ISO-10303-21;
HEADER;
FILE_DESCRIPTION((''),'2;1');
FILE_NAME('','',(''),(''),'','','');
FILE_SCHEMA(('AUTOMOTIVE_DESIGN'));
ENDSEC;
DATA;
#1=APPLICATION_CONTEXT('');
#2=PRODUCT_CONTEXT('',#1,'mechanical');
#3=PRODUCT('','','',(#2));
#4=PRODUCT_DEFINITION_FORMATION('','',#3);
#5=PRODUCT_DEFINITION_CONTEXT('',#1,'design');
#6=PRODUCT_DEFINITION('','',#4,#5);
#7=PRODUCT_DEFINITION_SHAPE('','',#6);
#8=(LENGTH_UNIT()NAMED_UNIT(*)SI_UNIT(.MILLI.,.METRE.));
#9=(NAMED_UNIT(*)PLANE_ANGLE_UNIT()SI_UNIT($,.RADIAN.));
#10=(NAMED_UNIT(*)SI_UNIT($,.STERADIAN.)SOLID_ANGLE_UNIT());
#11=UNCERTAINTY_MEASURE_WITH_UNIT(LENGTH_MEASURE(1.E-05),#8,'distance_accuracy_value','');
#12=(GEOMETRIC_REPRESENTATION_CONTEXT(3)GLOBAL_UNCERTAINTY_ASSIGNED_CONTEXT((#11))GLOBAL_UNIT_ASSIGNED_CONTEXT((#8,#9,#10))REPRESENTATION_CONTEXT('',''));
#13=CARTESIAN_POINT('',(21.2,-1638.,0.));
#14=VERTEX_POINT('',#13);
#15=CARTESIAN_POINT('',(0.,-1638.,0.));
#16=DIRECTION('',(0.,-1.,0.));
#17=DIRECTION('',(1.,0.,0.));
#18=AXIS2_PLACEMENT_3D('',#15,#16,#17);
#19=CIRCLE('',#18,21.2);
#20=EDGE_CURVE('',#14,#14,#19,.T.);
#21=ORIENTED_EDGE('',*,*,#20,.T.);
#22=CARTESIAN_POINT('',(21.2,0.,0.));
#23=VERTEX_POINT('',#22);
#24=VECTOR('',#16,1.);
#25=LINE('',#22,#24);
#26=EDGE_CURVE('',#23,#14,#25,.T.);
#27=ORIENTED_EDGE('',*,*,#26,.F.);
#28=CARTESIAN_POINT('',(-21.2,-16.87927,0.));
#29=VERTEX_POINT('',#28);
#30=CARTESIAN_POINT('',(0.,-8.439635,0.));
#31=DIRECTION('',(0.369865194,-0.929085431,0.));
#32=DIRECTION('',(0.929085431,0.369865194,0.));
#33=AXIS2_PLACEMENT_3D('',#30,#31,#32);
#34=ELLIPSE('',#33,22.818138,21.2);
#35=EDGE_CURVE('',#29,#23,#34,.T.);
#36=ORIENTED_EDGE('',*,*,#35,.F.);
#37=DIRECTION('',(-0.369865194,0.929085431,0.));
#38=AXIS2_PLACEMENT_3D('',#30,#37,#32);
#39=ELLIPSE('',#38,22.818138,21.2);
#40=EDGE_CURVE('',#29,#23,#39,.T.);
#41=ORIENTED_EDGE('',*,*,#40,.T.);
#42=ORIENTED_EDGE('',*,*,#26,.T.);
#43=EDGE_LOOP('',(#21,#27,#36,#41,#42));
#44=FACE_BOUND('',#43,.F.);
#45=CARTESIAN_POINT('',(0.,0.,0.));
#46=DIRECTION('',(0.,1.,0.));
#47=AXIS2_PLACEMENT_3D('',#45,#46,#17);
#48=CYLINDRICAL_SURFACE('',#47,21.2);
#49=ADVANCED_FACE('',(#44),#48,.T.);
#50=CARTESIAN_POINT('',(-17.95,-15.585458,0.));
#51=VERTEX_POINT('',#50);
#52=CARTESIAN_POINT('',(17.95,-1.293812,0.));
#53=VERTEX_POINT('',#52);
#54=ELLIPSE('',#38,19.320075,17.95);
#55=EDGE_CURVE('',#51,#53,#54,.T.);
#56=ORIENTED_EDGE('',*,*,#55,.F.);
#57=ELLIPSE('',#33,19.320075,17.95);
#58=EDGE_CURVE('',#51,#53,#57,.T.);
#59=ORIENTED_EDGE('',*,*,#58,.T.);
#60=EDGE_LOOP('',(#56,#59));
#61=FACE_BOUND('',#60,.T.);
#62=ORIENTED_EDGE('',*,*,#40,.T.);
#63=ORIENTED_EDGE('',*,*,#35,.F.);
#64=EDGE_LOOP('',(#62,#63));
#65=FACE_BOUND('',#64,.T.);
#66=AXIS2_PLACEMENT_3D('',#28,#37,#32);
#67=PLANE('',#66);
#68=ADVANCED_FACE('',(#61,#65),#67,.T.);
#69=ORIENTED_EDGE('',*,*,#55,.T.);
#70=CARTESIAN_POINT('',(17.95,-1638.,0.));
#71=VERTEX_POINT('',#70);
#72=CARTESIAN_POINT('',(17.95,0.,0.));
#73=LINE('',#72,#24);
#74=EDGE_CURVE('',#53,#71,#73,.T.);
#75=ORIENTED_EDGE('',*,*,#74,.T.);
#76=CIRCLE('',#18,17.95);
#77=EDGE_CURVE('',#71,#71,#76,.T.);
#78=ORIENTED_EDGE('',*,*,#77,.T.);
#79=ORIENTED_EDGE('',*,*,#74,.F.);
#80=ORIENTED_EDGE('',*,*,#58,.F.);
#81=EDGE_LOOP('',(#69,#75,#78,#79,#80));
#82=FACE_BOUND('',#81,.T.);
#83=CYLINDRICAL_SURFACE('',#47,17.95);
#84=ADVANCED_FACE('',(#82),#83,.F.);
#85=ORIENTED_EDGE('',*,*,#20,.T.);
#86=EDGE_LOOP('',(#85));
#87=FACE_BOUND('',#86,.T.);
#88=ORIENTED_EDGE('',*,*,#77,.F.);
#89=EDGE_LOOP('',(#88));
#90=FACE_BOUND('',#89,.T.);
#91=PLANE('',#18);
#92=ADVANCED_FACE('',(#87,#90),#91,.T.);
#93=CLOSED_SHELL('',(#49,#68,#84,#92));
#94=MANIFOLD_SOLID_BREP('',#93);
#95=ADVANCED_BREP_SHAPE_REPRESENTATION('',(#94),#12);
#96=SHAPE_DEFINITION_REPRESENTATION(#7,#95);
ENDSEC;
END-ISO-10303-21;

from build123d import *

# Parameters (mm, degrees)
F0_R          = 21.2
F0_R_2        = 17.95
F1_DEPTH      = 1638
F3_DEPTH      = 21.201
F3_DEPTH_BACK = 21.201


with BuildPart() as f1:
    # F0 (on Front) → F1 (new body)
    with BuildSketch(Plane.XZ):
        Circle(F0_R)
        Circle(F0_R_2, mode=Mode.SUBTRACT)
    extrude(amount=F1_DEPTH)

    # F2 (on Top) → F3 (cut, two sides)
    with BuildSketch(Plane.XY) as f3_sk:
        Polygon((-21.2, 0), (-21.2, -16.8792704184), (21.2, 0), align=None)
    extrude(amount=-F3_DEPTH, mode=Mode.SUBTRACT)
    extrude(f3_sk.sketch, amount=F3_DEPTH_BACK, mode=Mode.SUBTRACT)


solid = f1.part
